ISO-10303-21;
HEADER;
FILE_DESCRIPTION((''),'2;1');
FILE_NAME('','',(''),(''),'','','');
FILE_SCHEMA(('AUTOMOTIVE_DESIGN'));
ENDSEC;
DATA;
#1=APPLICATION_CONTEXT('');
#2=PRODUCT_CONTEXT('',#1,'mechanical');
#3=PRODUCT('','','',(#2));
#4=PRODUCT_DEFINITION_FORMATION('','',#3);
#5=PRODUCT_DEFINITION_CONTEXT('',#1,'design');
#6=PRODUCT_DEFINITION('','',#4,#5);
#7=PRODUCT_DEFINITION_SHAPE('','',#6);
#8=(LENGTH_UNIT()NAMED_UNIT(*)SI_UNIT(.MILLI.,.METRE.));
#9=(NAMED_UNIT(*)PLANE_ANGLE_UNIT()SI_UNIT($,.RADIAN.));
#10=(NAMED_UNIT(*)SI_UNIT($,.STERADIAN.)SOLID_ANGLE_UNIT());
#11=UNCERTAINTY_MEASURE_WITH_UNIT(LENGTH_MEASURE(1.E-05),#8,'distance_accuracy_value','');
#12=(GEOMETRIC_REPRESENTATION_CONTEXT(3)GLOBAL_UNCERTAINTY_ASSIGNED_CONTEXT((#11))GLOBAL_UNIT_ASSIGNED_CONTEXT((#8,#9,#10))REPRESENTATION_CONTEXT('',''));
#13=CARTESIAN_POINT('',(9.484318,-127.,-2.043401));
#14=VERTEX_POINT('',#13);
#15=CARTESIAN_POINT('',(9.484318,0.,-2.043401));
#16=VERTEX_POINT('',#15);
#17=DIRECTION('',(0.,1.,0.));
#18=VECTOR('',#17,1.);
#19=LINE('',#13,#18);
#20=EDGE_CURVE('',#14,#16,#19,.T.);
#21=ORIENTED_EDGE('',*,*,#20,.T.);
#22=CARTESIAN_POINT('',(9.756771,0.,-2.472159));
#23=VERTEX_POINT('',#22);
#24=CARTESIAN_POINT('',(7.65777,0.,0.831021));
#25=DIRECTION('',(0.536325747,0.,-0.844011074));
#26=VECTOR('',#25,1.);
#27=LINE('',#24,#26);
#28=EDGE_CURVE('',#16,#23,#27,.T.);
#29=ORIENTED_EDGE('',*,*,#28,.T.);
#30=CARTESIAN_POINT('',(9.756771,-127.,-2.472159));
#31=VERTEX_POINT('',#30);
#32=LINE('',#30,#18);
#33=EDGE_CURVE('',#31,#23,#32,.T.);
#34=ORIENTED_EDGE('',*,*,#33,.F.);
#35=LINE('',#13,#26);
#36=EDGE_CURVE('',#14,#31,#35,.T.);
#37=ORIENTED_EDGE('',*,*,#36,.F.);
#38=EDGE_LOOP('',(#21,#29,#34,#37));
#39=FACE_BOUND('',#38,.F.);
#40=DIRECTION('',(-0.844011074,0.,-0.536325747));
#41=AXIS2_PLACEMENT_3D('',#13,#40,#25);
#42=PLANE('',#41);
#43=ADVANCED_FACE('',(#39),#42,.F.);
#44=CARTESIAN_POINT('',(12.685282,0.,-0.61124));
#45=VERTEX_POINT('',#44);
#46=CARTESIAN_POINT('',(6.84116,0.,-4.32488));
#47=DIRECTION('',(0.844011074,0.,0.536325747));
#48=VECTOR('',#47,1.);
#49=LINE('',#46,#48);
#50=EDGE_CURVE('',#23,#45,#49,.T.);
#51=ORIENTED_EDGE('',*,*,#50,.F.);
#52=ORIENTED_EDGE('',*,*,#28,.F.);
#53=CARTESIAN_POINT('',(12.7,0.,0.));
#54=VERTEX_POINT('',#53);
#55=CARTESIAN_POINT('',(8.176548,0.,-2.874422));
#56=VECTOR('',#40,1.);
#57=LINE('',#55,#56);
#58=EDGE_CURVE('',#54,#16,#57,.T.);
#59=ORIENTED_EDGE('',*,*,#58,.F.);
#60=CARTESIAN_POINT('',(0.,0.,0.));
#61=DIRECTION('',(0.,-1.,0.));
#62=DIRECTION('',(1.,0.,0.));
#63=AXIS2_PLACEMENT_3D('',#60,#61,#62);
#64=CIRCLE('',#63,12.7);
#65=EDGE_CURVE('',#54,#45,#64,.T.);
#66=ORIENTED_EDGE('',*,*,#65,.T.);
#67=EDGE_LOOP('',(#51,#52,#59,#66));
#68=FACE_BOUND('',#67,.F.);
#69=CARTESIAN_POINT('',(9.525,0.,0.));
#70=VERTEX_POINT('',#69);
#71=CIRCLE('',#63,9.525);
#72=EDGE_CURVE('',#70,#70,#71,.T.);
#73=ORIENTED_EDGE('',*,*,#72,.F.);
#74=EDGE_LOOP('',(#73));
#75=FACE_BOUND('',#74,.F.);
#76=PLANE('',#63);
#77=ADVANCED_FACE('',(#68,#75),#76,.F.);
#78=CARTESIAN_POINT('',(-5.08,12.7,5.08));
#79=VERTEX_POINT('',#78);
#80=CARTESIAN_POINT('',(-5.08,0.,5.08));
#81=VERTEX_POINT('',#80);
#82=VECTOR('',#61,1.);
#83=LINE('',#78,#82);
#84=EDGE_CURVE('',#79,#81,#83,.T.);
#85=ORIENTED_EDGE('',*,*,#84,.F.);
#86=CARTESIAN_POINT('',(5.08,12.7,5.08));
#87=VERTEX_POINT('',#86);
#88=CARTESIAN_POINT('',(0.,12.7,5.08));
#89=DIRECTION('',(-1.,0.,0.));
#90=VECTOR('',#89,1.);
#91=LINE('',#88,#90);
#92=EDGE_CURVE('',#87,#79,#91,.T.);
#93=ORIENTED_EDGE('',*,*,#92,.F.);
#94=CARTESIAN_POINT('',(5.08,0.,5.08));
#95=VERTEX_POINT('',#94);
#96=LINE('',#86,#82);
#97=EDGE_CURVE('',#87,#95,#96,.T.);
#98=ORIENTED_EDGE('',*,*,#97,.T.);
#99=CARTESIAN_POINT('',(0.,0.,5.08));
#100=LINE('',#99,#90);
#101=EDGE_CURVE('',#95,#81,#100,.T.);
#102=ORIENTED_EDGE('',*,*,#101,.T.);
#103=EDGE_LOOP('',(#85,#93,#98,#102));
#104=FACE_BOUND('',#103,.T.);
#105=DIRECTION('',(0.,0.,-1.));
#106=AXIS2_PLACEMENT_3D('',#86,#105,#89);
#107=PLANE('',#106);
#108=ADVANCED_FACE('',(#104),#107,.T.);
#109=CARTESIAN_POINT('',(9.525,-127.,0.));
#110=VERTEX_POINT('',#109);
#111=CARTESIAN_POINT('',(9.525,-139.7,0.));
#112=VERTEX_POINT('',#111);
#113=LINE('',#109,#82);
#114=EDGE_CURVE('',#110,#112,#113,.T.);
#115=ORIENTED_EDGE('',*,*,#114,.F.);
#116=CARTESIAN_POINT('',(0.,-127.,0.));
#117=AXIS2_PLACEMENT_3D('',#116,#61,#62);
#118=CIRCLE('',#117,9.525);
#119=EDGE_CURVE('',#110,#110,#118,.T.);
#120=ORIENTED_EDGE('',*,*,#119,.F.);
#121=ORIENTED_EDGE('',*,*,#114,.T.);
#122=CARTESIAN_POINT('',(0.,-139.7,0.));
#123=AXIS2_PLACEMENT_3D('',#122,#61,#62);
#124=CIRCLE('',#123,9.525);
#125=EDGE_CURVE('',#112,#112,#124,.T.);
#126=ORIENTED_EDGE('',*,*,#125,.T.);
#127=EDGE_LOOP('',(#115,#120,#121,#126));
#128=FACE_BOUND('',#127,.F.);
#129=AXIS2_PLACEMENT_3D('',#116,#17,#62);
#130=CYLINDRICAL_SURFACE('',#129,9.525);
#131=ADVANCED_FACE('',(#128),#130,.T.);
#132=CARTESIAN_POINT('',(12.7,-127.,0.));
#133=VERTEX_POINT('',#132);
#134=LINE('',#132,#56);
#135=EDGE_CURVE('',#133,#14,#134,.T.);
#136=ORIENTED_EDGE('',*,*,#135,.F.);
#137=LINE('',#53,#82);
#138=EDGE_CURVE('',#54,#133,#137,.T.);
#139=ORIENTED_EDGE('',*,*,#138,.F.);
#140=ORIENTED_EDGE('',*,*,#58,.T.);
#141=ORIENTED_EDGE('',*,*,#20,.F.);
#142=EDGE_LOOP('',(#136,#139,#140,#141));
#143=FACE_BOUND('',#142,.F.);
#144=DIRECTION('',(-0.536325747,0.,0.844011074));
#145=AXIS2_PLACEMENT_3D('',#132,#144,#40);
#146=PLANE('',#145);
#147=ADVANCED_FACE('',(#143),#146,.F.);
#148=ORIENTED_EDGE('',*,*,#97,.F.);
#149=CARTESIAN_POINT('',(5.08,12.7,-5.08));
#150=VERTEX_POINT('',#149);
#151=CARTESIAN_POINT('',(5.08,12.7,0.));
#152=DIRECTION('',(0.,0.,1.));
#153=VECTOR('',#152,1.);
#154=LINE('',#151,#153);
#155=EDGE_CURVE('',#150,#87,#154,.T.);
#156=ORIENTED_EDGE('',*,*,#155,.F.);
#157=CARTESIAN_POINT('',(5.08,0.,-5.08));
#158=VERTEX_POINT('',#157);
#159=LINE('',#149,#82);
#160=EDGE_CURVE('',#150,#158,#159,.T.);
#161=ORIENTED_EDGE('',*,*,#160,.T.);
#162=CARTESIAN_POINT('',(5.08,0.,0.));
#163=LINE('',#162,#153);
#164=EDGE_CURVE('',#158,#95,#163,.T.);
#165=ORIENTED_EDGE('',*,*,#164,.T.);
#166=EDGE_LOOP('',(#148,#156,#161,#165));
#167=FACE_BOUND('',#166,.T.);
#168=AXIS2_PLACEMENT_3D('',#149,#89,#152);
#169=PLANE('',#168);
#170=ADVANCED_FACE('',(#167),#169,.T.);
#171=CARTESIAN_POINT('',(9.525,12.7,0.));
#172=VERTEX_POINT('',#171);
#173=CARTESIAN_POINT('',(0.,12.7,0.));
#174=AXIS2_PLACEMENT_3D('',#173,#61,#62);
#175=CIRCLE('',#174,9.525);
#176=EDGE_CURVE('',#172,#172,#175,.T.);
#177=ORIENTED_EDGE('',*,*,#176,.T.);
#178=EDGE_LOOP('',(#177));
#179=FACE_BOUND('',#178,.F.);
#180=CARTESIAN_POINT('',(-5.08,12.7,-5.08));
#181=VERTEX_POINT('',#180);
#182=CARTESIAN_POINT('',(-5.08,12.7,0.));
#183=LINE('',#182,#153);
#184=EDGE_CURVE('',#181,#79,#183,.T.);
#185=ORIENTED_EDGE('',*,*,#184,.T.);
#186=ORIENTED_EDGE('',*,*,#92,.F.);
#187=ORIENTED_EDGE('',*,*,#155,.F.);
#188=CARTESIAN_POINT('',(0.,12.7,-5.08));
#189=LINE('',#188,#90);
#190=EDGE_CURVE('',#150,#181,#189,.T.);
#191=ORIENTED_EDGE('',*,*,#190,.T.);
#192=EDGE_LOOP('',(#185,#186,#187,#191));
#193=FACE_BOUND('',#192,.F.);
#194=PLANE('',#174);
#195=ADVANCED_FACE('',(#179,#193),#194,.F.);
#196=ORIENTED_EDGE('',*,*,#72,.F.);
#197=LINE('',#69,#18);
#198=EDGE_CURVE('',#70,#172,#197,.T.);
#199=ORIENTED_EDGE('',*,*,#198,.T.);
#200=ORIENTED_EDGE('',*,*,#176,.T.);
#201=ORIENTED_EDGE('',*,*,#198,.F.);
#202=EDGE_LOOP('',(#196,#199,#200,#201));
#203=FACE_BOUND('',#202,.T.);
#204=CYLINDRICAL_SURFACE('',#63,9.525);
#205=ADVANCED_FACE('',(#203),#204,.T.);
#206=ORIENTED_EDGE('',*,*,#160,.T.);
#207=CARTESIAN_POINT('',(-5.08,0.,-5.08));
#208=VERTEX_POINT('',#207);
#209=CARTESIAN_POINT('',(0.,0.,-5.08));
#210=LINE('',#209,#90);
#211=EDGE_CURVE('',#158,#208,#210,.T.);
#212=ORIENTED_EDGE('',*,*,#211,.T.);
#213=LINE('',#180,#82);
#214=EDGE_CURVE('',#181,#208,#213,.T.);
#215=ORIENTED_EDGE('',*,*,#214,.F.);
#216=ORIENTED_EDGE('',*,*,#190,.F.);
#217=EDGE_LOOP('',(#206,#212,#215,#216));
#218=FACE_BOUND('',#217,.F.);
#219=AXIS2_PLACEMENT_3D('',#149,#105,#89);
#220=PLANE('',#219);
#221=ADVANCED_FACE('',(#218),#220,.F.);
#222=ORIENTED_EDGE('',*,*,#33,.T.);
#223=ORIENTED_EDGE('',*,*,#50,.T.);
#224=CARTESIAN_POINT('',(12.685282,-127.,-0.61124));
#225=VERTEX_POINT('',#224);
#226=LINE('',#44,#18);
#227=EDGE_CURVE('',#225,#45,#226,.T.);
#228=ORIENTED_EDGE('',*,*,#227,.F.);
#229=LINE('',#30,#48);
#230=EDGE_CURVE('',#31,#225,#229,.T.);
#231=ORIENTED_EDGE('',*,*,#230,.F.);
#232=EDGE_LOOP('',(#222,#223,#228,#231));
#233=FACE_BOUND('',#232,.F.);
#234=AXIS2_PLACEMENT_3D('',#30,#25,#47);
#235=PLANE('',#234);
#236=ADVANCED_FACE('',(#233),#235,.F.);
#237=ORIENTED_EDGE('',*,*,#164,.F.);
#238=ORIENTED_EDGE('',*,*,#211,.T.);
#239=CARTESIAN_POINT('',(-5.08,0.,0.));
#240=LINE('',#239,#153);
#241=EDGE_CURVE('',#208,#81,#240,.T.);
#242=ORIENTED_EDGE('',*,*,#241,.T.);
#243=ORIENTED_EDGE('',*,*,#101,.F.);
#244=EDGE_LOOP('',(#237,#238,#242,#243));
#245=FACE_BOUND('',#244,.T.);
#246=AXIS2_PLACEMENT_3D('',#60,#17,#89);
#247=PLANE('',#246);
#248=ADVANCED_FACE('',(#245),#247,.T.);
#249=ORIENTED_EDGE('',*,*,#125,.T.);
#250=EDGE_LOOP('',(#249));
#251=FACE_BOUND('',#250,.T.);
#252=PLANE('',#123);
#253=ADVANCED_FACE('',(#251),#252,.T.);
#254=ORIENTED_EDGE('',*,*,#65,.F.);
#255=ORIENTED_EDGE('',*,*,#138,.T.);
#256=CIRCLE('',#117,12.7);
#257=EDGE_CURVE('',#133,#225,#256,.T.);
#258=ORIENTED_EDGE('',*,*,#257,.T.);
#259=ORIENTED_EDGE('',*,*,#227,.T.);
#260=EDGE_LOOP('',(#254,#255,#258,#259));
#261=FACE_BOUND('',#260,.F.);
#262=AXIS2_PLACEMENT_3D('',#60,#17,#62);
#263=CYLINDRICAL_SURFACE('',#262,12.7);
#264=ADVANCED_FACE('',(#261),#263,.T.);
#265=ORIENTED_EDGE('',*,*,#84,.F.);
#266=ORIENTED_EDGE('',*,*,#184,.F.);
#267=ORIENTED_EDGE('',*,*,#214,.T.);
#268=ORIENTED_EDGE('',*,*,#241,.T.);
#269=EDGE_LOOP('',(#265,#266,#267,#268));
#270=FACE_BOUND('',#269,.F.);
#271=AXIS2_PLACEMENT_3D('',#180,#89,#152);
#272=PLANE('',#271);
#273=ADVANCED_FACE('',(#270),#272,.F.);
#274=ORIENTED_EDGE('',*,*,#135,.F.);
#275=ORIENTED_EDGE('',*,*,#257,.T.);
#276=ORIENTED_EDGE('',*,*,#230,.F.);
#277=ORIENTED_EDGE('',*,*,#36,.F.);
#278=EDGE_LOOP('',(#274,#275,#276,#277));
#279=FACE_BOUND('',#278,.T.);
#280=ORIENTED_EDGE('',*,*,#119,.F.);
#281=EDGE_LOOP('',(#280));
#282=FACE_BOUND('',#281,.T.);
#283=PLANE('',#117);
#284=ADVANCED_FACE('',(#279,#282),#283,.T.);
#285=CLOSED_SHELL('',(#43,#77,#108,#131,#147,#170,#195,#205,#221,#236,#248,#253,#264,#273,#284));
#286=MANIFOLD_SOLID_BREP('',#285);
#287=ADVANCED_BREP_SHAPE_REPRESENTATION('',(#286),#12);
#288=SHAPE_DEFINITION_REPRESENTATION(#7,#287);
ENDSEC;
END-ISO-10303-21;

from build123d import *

# Parameters (mm, degrees)
F0_R     = 12.7
F0_R_2   = 9.525
F0_W     = 10.16
F0_H     = 10.16
F1_DEPTH = 127
F2_DEPTH = 12.7
F3_W     = 10.16
F3_H     = 10.16
F4_DEPTH = 12.7
F5_R     = 9.525
F6_DEPTH = 12.7
F8_DEPTH = 139.701


with BuildPart() as f1:
    # F0 (on Front) → F1 (new body)
    with BuildSketch(Plane.XZ):
        Circle(F0_R)
        Circle(F0_R_2, mode=Mode.SUBTRACT)
        Circle(F0_R_2)
        Rectangle(F0_W, F0_H, mode=Mode.SUBTRACT)
        Rectangle(F0_W, F0_H)
    extrude(amount=F1_DEPTH)

    # F0 (on Front) → F2 (join)
    with BuildSketch(Plane.XZ):
        Circle(F0_R_2)
        Rectangle(F0_W, F0_H, mode=Mode.SUBTRACT)
        Rectangle(F0_W, F0_H)
    extrude(amount=-F2_DEPTH)

    # F3 (on face) → F4 (cut)
    with BuildSketch(Plane(origin=(0, 12.7, 0), x_dir=(-1, 0, 0), z_dir=(0, 1, 0))):
        Rectangle(F3_W, F3_H)
    extrude(amount=-F4_DEPTH, mode=Mode.SUBTRACT)

    # F5 (on face) → F6 (join)
    with BuildSketch(Plane.XZ.offset(127)):
        Circle(F5_R)
    extrude(amount=F6_DEPTH)

    # F7 (on face) → F8 (cut, through all)
    with BuildSketch(Plane.XZ.offset(127)):
        Polygon((14.4898414551, 1.1373524412), (12.7, 0), (9.4843178079, -2.0434010961), (9.7567712874, -2.4721587217), (14.7622949346, 0.7085948155), align=None)
    extrude(amount=-F8_DEPTH, mode=Mode.SUBTRACT)


solid = f1.part
